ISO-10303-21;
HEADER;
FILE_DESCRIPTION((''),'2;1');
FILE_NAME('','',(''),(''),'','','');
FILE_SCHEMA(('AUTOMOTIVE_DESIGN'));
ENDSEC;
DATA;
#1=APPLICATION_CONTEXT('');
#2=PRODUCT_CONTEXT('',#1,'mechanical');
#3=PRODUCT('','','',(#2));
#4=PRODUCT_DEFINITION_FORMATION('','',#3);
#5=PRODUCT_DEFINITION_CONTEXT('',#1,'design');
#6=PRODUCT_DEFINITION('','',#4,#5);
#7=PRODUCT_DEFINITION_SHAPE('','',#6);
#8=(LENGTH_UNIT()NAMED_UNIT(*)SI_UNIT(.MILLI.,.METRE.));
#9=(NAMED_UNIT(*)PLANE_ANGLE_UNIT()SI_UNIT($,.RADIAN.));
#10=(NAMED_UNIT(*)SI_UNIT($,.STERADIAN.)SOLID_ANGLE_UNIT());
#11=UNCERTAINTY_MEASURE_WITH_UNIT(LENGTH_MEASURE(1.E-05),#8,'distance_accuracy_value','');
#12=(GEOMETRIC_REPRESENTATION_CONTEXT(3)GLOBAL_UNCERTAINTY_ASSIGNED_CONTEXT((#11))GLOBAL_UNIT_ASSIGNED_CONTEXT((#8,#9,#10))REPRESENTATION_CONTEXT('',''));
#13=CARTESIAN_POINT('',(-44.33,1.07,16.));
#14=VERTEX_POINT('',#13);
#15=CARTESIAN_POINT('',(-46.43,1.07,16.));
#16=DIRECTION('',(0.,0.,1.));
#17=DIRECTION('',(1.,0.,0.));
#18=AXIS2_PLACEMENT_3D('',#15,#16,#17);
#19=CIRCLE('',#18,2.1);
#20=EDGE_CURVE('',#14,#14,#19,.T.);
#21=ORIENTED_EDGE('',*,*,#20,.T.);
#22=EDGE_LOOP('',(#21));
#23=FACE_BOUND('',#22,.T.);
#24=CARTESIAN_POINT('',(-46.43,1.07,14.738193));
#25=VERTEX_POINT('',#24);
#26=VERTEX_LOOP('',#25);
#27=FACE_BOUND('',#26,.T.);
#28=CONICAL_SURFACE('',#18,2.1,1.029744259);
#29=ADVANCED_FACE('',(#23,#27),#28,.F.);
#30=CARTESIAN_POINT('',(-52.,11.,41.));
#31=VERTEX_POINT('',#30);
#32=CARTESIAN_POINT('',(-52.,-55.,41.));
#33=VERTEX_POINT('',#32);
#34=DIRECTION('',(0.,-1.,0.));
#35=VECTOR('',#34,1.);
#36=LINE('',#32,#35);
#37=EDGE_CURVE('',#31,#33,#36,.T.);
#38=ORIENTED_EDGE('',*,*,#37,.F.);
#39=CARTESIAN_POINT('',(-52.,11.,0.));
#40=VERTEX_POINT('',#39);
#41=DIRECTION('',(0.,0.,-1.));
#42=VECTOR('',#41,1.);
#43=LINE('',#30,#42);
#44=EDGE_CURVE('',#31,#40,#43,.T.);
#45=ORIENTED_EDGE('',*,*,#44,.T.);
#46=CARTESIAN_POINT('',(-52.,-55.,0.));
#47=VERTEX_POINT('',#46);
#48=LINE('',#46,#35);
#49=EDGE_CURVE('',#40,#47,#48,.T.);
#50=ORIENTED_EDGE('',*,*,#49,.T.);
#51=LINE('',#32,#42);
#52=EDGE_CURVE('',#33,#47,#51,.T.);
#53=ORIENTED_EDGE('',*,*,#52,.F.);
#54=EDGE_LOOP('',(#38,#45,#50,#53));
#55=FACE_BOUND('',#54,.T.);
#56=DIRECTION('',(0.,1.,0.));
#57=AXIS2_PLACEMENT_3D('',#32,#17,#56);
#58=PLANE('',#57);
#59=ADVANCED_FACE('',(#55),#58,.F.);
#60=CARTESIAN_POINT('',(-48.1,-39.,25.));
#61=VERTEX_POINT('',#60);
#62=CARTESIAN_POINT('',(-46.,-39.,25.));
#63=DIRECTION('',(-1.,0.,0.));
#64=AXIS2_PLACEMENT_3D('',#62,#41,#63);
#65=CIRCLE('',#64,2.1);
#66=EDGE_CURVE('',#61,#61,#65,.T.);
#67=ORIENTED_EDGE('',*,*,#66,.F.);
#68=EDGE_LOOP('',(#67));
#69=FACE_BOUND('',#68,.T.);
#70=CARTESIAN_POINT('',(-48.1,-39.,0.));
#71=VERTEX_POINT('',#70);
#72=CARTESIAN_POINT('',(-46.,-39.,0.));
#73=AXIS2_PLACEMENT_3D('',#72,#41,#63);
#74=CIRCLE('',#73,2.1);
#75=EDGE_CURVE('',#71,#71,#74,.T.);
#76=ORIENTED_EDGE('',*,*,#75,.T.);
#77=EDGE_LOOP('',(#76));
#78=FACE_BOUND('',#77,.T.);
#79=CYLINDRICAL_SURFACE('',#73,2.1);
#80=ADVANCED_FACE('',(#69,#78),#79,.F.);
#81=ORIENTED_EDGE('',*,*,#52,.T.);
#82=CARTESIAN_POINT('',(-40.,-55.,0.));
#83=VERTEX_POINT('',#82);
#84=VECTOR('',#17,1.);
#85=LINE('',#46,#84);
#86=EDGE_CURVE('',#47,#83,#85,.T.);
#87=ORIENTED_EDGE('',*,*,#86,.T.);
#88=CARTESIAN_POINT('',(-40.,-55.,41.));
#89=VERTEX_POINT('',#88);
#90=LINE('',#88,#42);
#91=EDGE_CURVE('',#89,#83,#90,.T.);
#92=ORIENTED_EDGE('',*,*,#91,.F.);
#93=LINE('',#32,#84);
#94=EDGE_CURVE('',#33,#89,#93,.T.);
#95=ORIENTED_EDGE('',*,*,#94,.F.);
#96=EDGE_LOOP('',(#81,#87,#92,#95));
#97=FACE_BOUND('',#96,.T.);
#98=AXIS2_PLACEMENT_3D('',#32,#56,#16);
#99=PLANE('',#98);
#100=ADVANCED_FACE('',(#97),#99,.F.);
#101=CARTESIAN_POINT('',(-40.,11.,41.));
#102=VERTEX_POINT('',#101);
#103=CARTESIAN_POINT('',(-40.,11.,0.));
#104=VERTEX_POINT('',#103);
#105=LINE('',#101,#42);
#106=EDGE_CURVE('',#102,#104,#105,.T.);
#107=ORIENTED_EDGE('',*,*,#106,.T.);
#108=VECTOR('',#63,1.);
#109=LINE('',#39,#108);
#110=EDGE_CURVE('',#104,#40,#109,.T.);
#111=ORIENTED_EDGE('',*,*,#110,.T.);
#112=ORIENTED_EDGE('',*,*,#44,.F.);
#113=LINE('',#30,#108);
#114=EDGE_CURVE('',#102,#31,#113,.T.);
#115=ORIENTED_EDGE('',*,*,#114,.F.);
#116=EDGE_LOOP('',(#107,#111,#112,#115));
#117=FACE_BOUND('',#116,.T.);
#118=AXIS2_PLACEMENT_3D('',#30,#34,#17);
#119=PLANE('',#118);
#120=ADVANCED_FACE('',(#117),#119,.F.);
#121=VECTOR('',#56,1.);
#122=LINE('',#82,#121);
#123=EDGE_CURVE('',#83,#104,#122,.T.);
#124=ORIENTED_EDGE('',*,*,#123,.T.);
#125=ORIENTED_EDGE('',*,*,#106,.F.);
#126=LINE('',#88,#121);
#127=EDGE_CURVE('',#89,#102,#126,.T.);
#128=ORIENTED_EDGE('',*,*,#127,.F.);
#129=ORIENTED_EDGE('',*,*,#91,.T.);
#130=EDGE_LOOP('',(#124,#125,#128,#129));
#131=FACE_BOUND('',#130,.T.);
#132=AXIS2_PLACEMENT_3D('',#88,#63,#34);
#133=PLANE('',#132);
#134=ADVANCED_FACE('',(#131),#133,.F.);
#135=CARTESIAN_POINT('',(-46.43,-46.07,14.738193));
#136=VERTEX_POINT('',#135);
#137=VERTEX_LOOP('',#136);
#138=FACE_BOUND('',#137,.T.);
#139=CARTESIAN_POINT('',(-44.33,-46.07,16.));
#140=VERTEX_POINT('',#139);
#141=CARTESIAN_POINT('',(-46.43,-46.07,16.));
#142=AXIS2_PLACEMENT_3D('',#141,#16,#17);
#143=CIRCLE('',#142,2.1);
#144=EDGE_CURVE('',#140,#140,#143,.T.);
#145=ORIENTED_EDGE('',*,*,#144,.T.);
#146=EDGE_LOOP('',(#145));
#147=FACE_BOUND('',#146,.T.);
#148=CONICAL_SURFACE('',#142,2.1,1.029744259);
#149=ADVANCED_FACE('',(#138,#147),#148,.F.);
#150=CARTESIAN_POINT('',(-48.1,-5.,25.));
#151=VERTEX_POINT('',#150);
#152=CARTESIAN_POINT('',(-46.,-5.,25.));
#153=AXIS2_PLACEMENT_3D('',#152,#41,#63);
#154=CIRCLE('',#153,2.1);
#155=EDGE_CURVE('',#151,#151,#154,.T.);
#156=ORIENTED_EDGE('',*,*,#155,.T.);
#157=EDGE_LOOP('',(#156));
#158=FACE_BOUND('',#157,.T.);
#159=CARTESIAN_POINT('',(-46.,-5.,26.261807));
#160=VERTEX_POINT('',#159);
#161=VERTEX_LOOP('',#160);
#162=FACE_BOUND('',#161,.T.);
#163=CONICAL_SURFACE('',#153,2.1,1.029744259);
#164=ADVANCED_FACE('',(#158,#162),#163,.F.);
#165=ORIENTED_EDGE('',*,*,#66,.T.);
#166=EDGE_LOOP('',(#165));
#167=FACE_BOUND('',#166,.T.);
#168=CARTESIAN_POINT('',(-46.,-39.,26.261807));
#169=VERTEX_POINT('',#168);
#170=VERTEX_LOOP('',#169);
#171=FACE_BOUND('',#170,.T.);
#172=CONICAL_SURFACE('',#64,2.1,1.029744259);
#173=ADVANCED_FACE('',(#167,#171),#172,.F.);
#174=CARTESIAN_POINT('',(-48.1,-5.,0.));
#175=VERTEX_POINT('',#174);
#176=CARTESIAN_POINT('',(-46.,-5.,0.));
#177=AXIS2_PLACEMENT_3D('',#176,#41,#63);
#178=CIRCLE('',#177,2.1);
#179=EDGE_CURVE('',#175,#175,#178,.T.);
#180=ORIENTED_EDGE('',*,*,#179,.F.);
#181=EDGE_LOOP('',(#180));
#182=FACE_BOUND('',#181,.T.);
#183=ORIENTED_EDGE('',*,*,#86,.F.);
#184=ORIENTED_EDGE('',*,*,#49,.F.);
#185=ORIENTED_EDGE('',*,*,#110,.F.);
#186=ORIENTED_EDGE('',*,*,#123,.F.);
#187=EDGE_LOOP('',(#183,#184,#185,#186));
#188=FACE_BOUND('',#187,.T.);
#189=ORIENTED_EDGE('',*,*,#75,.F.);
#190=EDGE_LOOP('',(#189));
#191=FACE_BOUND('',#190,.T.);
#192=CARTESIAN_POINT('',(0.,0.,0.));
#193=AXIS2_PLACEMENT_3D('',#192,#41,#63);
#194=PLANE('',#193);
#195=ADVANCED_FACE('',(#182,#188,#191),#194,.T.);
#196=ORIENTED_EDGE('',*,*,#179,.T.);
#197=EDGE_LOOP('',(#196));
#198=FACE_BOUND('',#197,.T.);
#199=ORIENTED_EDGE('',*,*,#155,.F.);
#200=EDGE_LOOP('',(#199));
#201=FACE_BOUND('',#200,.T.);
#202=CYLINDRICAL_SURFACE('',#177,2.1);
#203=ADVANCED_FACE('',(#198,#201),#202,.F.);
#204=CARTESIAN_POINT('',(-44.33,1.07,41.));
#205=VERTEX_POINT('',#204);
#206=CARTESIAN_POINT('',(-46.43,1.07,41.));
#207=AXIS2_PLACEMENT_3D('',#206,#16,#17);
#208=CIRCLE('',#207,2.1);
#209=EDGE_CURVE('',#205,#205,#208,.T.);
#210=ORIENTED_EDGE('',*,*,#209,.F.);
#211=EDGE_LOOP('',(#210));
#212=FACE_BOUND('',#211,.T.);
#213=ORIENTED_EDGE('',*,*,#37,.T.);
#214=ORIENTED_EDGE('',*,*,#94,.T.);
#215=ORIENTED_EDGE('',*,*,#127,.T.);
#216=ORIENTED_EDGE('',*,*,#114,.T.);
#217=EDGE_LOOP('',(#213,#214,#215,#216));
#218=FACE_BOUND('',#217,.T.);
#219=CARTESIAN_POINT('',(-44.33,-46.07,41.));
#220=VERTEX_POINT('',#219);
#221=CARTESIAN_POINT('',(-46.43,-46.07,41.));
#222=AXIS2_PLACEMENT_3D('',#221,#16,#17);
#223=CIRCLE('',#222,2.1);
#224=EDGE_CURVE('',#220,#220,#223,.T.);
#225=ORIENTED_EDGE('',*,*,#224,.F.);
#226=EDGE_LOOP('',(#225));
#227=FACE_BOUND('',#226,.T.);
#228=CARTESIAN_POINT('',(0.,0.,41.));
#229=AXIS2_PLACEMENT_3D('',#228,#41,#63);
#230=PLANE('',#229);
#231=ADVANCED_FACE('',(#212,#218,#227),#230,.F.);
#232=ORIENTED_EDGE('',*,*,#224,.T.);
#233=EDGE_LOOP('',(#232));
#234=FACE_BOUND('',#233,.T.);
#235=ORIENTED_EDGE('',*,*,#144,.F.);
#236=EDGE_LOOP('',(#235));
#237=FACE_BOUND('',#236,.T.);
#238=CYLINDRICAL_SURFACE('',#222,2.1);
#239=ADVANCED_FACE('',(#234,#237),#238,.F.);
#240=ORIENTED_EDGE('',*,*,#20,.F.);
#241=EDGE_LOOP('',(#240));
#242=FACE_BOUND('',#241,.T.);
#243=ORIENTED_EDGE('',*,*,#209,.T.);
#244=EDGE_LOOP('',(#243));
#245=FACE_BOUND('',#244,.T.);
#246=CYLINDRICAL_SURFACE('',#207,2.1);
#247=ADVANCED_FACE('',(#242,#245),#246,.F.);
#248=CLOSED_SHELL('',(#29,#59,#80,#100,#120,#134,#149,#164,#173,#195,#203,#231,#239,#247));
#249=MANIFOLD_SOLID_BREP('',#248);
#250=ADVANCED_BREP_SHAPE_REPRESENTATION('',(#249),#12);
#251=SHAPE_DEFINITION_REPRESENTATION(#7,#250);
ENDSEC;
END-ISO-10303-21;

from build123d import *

# Parameters (mm, degrees)
SZKIC1_W                       = 12
SZKIC1_H                       = 66
DODANIE_WYCI_GNI_CIE1_DEPTH    = 41
OTW_R_GWINTOWANY_M5X0_81_D     = 4.2
OTW_R_GWINTOWANY_M5X0_81_DEPTH = 25
OTW_R_GWINTOWANY_M5X0_81_TIP   = 1.2618073
OTW_R_GWINTOWANY_M5X0_82_D     = 4.2
OTW_R_GWINTOWANY_M5X0_82_DEPTH = 25
OTW_R_GWINTOWANY_M5X0_82_TIP   = 1.2618073


with BuildPart() as part:
    # Szkic1 → Dodanie-wyciągnięcie1 (new body)
    with BuildSketch(Plane.XY):
        with Locations((-46, -22)):
            Rectangle(SZKIC1_W, SZKIC1_H)
    extrude(amount=DODANIE_WYCI_GNI_CIE1_DEPTH)

    # Otwór gwintowany M5x0.81
    with Locations(Plane(origin=(0, 0, 0), x_dir=(-1, 0, 0), z_dir=(0, 0, -1))):
        with Locations((46, -39), (46, -5)):
            Hole(OTW_R_GWINTOWANY_M5X0_81_D / 2, depth=OTW_R_GWINTOWANY_M5X0_81_DEPTH)
            with Locations((0, 0, -(OTW_R_GWINTOWANY_M5X0_81_DEPTH + OTW_R_GWINTOWANY_M5X0_81_TIP / 2))):  # 118° drill point
                Cone(0, OTW_R_GWINTOWANY_M5X0_81_D / 2, OTW_R_GWINTOWANY_M5X0_81_TIP, mode=Mode.SUBTRACT)

    # Otwór gwintowany M5x0.82
    with Locations(Plane.XY.offset(41)):
        with Locations((-46.43, -46.07), (-46.43, 1.07)):
            Hole(OTW_R_GWINTOWANY_M5X0_82_D / 2, depth=OTW_R_GWINTOWANY_M5X0_82_DEPTH)
            with Locations((0, 0, -(OTW_R_GWINTOWANY_M5X0_82_DEPTH + OTW_R_GWINTOWANY_M5X0_82_TIP / 2))):  # 118° drill point
                Cone(0, OTW_R_GWINTOWANY_M5X0_82_D / 2, OTW_R_GWINTOWANY_M5X0_82_TIP, mode=Mode.SUBTRACT)


solid = part.part
